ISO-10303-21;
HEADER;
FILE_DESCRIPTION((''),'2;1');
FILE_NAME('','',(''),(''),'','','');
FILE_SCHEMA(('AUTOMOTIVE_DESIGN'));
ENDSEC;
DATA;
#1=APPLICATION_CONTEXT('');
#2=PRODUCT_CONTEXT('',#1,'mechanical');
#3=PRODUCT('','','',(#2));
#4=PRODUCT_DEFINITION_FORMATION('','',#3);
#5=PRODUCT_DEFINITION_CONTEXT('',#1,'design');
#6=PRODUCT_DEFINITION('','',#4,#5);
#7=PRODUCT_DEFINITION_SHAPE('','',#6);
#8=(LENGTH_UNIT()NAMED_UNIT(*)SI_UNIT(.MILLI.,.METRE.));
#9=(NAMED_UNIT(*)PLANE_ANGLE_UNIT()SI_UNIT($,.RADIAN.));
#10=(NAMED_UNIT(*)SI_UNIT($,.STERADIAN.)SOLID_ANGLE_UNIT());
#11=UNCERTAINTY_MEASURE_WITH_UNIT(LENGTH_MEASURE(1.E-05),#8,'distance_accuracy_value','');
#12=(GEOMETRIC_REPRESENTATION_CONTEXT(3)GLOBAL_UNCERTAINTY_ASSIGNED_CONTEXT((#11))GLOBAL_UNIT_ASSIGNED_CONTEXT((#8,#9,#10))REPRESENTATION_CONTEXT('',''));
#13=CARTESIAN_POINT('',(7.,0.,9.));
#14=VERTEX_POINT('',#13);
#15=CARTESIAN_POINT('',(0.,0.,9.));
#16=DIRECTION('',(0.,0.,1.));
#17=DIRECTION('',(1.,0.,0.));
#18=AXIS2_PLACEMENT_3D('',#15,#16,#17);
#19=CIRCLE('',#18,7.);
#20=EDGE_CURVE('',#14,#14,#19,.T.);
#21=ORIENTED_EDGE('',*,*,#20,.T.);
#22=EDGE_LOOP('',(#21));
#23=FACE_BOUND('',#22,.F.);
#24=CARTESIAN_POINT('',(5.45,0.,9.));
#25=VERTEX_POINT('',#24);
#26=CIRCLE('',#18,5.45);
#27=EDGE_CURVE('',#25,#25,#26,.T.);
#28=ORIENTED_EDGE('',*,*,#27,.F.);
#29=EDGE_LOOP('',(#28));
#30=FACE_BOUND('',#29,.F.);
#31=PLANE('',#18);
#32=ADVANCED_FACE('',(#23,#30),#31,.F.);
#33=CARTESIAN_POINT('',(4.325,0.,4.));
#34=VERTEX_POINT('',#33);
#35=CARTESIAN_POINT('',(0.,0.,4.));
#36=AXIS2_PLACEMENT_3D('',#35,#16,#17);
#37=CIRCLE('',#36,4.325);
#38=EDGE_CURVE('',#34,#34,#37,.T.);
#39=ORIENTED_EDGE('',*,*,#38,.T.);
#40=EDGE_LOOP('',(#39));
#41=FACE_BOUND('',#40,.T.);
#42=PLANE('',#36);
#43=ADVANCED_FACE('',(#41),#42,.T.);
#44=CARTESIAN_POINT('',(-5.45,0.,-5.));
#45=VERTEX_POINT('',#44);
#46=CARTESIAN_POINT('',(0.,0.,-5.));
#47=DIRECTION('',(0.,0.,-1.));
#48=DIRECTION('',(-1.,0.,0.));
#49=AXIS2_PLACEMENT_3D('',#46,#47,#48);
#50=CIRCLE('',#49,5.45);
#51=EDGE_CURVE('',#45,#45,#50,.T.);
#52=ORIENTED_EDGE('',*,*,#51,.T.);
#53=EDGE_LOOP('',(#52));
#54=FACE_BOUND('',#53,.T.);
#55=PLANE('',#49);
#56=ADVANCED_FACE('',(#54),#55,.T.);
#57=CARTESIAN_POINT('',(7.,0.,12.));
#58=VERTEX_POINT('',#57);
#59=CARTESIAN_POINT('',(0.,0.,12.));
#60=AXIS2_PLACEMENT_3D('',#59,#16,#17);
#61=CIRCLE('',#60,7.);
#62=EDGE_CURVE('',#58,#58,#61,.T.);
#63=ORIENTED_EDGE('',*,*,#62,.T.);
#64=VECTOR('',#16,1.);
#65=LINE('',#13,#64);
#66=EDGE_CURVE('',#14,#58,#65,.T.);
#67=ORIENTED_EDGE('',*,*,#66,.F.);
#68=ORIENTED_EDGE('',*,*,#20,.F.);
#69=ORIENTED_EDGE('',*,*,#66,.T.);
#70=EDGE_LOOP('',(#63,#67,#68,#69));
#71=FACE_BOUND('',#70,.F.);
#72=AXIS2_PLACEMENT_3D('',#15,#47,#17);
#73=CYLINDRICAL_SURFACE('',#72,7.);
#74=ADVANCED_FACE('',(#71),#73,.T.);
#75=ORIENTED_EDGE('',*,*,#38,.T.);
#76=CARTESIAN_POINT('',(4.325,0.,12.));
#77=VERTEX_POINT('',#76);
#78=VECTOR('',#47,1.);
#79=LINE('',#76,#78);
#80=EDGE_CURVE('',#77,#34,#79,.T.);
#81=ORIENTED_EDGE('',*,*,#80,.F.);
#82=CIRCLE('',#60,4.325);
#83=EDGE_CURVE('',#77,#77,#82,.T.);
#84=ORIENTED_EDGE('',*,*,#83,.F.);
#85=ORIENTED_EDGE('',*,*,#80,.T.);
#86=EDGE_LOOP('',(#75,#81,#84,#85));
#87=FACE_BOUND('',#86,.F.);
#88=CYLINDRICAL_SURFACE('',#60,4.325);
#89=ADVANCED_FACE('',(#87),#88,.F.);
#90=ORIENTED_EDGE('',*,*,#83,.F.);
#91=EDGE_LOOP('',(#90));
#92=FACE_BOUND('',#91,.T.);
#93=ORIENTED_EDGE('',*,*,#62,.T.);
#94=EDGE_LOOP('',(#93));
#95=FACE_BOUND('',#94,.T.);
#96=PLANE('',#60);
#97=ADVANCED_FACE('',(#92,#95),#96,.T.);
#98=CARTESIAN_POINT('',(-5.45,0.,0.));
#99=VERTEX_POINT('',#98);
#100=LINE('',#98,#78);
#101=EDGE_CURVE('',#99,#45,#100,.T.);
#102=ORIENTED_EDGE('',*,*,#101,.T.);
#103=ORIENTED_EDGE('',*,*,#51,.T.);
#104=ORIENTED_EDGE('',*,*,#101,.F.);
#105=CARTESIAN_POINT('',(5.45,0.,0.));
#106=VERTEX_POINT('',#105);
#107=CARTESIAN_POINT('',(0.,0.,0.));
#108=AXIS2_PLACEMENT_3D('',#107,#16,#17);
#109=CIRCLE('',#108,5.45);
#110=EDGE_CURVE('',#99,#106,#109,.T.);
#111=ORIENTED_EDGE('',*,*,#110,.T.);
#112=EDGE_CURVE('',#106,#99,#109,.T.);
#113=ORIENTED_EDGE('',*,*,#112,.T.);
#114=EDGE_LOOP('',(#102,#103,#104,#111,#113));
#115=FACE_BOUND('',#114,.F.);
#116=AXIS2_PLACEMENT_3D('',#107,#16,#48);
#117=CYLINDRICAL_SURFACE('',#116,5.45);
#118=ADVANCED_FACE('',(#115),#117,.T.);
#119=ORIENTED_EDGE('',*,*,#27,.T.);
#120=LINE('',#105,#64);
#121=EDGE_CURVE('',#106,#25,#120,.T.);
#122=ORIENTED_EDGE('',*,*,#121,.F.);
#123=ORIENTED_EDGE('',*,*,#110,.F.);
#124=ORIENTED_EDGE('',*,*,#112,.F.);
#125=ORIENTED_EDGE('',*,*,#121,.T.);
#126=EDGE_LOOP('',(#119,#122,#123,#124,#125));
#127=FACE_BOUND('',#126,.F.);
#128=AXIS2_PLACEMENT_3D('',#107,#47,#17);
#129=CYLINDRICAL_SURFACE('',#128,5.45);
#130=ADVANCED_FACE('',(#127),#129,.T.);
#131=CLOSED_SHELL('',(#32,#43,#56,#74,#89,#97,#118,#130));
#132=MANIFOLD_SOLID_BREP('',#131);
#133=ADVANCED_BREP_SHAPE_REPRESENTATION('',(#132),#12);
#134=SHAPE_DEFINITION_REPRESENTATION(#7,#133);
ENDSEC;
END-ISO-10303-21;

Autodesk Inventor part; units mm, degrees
ref_plane "YZ Plane" through (0, 0, 0) normal (1, 0, 0) x (0, 1, 0)
ref_plane "XZ Plane" through (0, 0, 0) normal (0, 1, 0) x (-1, 0, 0)
ref_plane "XY Plane" through (0, 0, 0) normal (0, 0, 1) x (1, 0, 0)
sketch "Sketch5" plane through (0, 0, 0) normal (0, 0, 1) x (1, 0, 0)
  circle A0 centre (0, 0) radius 5.45
  dimension "d0" = 10.9
extrude "Extrusion1" add sketch "Sketch5" along normal blind 9
sketch "Sketch6" plane through (0, 0, 9) normal (0, 0, 1) x (1, 0, 0)
  circle A0 centre (0, 0) radius 7
  dimension "d3" = 14
extrude "Extrusion2" add sketch "Sketch6" along normal blind 3
sketch "Sketch7" plane through (0, 0, 12) normal (0, 0, 1) x (1, 0, 0)
  circle A0 centre (0, 0) radius 4.325
  dimension "d6" = 8.65
extrude "Extrusion3" cut sketch "Sketch7" against normal blind 8
sketch "Sketch8" plane through (0, 0, 0) normal (0, 0, -1) x (-1, 0, 0)
  circle A0 centre (0, 0) radius 5.45
  dimension "d9" = 10.9
extrude "Extrusion4" add sketch "Sketch8" along normal blind 5
properties part number "zaślepka"
